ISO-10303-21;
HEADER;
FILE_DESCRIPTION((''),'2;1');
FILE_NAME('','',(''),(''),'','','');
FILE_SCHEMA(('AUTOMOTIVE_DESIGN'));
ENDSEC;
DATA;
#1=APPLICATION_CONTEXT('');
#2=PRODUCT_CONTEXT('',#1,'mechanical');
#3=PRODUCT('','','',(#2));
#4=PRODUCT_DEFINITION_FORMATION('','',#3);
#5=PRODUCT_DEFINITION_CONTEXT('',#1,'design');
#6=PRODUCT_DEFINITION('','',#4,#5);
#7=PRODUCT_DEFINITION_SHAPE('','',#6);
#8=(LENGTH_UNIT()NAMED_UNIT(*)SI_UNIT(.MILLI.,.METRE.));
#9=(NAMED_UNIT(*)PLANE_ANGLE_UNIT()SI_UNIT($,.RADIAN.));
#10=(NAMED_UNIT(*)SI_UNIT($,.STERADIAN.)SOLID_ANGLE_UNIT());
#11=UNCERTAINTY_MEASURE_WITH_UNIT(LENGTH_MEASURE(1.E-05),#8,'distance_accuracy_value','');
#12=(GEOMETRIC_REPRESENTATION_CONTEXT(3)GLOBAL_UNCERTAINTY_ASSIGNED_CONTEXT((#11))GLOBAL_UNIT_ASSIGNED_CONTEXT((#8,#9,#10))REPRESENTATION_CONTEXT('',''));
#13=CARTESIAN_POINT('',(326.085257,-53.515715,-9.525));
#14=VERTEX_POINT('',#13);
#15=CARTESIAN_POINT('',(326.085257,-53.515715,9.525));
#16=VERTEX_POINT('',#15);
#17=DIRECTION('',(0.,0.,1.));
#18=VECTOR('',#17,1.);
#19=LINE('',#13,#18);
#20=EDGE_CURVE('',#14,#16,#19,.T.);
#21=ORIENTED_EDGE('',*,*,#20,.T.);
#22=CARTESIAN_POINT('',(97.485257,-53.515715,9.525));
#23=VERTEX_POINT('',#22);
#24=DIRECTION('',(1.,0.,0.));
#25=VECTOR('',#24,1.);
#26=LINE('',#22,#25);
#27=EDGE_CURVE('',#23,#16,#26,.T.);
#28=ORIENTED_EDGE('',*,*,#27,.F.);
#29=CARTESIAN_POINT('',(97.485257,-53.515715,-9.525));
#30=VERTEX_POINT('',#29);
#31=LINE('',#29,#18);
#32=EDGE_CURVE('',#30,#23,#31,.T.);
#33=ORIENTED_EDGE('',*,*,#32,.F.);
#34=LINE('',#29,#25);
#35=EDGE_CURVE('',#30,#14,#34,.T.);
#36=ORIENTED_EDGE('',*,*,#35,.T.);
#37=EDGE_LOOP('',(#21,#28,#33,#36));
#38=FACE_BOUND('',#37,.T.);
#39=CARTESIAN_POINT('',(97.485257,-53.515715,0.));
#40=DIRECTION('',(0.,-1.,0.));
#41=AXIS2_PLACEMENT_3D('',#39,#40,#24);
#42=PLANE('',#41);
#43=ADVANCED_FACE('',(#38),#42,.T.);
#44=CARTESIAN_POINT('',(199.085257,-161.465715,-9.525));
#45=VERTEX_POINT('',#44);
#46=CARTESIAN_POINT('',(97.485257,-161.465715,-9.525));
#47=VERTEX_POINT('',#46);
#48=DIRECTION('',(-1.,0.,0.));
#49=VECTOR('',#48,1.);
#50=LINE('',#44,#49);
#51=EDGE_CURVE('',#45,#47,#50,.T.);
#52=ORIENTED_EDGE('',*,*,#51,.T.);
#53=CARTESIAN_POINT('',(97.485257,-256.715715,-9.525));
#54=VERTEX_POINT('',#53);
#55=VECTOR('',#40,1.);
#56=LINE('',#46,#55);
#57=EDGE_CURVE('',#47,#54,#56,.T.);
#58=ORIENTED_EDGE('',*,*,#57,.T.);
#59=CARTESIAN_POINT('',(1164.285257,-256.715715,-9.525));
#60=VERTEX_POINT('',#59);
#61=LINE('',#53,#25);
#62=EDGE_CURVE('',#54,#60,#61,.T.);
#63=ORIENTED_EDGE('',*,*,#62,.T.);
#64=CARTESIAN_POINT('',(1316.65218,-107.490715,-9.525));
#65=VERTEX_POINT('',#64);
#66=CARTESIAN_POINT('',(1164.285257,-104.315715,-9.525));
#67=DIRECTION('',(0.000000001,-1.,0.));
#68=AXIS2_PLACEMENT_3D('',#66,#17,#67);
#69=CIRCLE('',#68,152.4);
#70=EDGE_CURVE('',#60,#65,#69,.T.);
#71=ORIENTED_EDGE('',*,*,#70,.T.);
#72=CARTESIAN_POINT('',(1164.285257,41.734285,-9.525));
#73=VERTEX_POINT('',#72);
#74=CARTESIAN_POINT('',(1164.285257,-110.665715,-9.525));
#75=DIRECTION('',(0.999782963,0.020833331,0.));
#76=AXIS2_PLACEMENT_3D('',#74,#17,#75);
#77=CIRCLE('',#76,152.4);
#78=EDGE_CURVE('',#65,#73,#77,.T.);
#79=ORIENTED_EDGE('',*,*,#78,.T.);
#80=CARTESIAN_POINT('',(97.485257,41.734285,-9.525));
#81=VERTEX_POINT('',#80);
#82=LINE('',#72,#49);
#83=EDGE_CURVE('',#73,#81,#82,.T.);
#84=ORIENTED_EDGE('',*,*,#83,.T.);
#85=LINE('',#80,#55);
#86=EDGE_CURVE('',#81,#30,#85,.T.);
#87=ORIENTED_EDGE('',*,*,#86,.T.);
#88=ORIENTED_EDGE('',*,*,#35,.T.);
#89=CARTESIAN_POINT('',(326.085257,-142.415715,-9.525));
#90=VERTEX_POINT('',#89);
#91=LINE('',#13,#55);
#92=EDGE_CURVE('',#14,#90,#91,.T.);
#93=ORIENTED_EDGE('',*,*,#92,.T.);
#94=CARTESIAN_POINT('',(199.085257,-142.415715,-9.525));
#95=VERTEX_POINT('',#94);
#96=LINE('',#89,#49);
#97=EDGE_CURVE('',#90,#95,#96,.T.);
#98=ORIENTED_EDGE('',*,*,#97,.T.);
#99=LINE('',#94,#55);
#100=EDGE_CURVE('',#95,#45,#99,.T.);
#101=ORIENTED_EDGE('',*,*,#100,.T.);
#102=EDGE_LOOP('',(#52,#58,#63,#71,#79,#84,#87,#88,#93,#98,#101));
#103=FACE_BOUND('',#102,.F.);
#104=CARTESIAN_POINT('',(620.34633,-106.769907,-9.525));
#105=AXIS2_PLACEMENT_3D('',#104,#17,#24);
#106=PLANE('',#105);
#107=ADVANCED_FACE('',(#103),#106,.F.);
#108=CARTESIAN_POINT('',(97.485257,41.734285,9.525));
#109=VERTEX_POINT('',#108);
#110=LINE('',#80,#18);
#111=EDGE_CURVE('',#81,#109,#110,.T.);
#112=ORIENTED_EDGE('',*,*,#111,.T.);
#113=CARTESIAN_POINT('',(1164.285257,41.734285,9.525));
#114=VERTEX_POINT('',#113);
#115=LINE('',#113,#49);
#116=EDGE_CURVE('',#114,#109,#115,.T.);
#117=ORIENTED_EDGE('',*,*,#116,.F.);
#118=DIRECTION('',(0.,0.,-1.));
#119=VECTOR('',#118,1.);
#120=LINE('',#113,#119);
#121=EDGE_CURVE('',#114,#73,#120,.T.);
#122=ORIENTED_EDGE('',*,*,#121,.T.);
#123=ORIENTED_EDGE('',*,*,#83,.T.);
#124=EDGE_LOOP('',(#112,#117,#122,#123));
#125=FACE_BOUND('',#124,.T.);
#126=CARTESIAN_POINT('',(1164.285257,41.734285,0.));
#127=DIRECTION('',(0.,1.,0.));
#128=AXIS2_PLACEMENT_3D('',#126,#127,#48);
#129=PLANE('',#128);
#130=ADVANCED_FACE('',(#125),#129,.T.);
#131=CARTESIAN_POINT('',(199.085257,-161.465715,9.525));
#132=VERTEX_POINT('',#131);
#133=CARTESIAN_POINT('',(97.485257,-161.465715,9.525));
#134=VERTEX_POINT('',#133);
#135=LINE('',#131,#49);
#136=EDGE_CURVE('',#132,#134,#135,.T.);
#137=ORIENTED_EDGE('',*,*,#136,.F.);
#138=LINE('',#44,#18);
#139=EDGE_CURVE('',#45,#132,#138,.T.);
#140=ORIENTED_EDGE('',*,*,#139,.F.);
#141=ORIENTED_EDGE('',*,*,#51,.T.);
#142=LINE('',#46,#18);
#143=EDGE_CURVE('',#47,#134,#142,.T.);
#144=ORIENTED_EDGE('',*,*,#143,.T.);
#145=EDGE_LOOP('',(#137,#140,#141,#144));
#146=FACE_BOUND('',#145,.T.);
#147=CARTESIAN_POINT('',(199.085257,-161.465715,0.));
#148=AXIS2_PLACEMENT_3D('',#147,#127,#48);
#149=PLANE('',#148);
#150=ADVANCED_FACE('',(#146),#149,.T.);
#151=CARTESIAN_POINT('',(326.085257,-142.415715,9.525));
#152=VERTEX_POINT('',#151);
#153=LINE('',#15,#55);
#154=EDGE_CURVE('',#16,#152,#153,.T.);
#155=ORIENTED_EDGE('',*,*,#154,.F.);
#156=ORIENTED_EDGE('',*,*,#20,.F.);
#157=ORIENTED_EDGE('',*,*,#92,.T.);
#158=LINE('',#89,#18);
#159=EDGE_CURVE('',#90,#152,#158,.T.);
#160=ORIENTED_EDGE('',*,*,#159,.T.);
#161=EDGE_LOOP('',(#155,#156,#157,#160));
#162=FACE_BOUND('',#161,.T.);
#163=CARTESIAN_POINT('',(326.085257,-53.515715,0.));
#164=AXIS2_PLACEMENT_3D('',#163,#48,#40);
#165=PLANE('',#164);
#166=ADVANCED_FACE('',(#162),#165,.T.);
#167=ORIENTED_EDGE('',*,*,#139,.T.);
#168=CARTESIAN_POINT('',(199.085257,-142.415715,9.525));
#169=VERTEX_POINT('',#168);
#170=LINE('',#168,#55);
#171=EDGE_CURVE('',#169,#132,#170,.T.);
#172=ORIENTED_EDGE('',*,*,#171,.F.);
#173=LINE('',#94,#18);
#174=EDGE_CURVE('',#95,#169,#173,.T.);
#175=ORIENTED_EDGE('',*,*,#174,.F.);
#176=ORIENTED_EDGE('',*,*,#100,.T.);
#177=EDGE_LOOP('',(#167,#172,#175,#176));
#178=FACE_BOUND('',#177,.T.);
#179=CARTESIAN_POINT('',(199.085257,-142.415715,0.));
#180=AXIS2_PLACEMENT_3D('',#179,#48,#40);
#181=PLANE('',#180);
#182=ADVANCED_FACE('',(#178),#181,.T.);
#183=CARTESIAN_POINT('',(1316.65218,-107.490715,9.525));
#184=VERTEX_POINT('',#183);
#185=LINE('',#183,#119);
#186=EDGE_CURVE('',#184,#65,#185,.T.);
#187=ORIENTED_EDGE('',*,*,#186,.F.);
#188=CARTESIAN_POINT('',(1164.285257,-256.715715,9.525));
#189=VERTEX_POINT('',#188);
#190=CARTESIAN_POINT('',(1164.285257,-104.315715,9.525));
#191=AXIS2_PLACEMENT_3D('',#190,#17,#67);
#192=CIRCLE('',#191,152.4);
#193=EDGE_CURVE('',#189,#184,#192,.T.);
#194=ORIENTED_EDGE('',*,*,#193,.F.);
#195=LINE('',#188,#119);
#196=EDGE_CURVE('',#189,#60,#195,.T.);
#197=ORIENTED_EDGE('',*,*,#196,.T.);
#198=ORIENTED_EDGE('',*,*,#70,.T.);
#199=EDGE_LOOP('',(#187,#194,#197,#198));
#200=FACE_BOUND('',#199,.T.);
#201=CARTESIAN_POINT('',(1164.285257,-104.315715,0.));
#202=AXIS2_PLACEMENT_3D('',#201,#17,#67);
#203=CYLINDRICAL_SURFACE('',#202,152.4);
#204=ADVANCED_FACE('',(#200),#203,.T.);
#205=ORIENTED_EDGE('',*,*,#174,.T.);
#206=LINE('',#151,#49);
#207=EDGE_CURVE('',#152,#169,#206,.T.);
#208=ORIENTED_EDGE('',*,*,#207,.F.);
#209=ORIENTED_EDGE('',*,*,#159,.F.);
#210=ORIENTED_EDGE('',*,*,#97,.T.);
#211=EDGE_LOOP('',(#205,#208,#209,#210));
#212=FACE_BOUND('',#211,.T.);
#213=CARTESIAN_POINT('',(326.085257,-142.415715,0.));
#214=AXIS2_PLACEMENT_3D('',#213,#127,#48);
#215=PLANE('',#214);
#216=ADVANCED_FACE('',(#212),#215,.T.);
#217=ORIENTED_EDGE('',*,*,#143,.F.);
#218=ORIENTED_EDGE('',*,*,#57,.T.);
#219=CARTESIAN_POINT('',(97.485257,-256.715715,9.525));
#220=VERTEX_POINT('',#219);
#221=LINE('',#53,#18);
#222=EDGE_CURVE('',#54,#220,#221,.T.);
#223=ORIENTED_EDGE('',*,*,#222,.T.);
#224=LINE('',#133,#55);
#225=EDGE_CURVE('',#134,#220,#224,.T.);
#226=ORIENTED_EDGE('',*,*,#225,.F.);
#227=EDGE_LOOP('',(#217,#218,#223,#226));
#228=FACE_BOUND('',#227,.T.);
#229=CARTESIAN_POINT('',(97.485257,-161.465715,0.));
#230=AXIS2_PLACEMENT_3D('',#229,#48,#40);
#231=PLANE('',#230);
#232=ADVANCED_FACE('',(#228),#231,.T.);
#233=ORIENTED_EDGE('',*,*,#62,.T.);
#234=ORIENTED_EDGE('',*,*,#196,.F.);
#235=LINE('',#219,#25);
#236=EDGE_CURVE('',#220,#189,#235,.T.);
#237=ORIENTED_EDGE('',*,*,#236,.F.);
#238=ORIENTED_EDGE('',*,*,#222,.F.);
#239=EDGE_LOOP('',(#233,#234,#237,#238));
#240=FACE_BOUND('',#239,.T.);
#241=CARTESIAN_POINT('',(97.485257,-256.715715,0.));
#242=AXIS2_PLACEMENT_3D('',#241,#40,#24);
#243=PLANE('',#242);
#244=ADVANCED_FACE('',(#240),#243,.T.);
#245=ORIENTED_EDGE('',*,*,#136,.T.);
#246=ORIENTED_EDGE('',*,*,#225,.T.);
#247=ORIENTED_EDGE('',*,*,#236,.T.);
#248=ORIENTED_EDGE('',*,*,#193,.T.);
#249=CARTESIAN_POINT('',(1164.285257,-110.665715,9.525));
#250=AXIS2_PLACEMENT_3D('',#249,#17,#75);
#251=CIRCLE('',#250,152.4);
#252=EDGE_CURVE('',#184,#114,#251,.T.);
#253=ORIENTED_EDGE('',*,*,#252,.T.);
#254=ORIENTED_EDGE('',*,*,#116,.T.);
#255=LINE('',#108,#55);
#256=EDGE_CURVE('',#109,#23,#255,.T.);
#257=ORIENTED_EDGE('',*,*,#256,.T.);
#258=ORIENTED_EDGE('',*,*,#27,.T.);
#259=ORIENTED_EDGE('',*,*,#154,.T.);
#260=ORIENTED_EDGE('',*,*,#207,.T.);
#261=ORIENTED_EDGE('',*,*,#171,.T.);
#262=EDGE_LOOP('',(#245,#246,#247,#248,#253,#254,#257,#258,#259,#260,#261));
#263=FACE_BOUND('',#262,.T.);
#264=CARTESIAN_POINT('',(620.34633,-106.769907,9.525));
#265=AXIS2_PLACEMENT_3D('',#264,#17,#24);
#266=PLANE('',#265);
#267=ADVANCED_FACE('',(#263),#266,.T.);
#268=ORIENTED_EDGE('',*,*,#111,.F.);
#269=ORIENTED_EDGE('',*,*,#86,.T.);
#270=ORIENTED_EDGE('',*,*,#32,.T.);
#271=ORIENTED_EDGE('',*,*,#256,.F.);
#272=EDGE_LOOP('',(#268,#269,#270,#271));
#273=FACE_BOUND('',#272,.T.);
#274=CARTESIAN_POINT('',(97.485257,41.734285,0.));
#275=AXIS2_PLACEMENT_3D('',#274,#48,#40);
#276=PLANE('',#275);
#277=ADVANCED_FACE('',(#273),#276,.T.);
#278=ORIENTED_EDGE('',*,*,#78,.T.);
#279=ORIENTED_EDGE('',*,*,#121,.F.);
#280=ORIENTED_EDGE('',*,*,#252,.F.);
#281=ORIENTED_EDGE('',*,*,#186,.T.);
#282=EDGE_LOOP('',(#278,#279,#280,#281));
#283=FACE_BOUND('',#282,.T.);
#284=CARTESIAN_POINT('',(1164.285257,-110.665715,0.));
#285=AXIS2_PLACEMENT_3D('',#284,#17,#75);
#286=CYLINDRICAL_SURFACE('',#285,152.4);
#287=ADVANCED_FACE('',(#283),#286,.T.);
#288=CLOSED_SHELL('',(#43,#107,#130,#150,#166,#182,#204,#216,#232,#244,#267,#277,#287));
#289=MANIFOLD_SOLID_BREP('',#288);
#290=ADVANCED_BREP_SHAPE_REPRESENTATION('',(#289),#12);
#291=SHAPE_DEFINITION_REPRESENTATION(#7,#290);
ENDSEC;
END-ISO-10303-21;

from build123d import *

# Parameters (mm, degrees)
F1_DEPTH = 9.525


with BuildPart() as f1:
    # F0 (on Top) → F1 (new body, symmetric)
    with BuildSketch(Plane.XY):
        with BuildLine():
            Line((1164.285257, 41.734285), (97.485257, 41.734285))
            Line((97.485257, 41.734285), (97.485257, -53.515715))
            Line((97.485257, -53.515715), (326.085257, -53.515715))
            Line((326.085257, -53.515715), (326.085257, -142.415715))
            Line((326.085257, -142.415715), (199.085257, -142.415715))
            Line((199.085257, -142.415715), (199.085257, -161.465715))
            Line((199.085257, -161.465715), (97.485257, -161.465715))
            Line((97.485257, -161.465715), (97.485257, -256.715715))
            Line((97.485257, -256.715715), (1164.285257, -256.715715))
            ThreePointArc((1164.285257, -256.715715), (1270.91989, -213.195534), (1316.65218, -107.490715))
            ThreePointArc((1316.65218, -107.490715), (1270.91989, -1.785896), (1164.285257, 41.734285))
        make_face()
    extrude(amount=F1_DEPTH, both=True)


solid = f1.part
